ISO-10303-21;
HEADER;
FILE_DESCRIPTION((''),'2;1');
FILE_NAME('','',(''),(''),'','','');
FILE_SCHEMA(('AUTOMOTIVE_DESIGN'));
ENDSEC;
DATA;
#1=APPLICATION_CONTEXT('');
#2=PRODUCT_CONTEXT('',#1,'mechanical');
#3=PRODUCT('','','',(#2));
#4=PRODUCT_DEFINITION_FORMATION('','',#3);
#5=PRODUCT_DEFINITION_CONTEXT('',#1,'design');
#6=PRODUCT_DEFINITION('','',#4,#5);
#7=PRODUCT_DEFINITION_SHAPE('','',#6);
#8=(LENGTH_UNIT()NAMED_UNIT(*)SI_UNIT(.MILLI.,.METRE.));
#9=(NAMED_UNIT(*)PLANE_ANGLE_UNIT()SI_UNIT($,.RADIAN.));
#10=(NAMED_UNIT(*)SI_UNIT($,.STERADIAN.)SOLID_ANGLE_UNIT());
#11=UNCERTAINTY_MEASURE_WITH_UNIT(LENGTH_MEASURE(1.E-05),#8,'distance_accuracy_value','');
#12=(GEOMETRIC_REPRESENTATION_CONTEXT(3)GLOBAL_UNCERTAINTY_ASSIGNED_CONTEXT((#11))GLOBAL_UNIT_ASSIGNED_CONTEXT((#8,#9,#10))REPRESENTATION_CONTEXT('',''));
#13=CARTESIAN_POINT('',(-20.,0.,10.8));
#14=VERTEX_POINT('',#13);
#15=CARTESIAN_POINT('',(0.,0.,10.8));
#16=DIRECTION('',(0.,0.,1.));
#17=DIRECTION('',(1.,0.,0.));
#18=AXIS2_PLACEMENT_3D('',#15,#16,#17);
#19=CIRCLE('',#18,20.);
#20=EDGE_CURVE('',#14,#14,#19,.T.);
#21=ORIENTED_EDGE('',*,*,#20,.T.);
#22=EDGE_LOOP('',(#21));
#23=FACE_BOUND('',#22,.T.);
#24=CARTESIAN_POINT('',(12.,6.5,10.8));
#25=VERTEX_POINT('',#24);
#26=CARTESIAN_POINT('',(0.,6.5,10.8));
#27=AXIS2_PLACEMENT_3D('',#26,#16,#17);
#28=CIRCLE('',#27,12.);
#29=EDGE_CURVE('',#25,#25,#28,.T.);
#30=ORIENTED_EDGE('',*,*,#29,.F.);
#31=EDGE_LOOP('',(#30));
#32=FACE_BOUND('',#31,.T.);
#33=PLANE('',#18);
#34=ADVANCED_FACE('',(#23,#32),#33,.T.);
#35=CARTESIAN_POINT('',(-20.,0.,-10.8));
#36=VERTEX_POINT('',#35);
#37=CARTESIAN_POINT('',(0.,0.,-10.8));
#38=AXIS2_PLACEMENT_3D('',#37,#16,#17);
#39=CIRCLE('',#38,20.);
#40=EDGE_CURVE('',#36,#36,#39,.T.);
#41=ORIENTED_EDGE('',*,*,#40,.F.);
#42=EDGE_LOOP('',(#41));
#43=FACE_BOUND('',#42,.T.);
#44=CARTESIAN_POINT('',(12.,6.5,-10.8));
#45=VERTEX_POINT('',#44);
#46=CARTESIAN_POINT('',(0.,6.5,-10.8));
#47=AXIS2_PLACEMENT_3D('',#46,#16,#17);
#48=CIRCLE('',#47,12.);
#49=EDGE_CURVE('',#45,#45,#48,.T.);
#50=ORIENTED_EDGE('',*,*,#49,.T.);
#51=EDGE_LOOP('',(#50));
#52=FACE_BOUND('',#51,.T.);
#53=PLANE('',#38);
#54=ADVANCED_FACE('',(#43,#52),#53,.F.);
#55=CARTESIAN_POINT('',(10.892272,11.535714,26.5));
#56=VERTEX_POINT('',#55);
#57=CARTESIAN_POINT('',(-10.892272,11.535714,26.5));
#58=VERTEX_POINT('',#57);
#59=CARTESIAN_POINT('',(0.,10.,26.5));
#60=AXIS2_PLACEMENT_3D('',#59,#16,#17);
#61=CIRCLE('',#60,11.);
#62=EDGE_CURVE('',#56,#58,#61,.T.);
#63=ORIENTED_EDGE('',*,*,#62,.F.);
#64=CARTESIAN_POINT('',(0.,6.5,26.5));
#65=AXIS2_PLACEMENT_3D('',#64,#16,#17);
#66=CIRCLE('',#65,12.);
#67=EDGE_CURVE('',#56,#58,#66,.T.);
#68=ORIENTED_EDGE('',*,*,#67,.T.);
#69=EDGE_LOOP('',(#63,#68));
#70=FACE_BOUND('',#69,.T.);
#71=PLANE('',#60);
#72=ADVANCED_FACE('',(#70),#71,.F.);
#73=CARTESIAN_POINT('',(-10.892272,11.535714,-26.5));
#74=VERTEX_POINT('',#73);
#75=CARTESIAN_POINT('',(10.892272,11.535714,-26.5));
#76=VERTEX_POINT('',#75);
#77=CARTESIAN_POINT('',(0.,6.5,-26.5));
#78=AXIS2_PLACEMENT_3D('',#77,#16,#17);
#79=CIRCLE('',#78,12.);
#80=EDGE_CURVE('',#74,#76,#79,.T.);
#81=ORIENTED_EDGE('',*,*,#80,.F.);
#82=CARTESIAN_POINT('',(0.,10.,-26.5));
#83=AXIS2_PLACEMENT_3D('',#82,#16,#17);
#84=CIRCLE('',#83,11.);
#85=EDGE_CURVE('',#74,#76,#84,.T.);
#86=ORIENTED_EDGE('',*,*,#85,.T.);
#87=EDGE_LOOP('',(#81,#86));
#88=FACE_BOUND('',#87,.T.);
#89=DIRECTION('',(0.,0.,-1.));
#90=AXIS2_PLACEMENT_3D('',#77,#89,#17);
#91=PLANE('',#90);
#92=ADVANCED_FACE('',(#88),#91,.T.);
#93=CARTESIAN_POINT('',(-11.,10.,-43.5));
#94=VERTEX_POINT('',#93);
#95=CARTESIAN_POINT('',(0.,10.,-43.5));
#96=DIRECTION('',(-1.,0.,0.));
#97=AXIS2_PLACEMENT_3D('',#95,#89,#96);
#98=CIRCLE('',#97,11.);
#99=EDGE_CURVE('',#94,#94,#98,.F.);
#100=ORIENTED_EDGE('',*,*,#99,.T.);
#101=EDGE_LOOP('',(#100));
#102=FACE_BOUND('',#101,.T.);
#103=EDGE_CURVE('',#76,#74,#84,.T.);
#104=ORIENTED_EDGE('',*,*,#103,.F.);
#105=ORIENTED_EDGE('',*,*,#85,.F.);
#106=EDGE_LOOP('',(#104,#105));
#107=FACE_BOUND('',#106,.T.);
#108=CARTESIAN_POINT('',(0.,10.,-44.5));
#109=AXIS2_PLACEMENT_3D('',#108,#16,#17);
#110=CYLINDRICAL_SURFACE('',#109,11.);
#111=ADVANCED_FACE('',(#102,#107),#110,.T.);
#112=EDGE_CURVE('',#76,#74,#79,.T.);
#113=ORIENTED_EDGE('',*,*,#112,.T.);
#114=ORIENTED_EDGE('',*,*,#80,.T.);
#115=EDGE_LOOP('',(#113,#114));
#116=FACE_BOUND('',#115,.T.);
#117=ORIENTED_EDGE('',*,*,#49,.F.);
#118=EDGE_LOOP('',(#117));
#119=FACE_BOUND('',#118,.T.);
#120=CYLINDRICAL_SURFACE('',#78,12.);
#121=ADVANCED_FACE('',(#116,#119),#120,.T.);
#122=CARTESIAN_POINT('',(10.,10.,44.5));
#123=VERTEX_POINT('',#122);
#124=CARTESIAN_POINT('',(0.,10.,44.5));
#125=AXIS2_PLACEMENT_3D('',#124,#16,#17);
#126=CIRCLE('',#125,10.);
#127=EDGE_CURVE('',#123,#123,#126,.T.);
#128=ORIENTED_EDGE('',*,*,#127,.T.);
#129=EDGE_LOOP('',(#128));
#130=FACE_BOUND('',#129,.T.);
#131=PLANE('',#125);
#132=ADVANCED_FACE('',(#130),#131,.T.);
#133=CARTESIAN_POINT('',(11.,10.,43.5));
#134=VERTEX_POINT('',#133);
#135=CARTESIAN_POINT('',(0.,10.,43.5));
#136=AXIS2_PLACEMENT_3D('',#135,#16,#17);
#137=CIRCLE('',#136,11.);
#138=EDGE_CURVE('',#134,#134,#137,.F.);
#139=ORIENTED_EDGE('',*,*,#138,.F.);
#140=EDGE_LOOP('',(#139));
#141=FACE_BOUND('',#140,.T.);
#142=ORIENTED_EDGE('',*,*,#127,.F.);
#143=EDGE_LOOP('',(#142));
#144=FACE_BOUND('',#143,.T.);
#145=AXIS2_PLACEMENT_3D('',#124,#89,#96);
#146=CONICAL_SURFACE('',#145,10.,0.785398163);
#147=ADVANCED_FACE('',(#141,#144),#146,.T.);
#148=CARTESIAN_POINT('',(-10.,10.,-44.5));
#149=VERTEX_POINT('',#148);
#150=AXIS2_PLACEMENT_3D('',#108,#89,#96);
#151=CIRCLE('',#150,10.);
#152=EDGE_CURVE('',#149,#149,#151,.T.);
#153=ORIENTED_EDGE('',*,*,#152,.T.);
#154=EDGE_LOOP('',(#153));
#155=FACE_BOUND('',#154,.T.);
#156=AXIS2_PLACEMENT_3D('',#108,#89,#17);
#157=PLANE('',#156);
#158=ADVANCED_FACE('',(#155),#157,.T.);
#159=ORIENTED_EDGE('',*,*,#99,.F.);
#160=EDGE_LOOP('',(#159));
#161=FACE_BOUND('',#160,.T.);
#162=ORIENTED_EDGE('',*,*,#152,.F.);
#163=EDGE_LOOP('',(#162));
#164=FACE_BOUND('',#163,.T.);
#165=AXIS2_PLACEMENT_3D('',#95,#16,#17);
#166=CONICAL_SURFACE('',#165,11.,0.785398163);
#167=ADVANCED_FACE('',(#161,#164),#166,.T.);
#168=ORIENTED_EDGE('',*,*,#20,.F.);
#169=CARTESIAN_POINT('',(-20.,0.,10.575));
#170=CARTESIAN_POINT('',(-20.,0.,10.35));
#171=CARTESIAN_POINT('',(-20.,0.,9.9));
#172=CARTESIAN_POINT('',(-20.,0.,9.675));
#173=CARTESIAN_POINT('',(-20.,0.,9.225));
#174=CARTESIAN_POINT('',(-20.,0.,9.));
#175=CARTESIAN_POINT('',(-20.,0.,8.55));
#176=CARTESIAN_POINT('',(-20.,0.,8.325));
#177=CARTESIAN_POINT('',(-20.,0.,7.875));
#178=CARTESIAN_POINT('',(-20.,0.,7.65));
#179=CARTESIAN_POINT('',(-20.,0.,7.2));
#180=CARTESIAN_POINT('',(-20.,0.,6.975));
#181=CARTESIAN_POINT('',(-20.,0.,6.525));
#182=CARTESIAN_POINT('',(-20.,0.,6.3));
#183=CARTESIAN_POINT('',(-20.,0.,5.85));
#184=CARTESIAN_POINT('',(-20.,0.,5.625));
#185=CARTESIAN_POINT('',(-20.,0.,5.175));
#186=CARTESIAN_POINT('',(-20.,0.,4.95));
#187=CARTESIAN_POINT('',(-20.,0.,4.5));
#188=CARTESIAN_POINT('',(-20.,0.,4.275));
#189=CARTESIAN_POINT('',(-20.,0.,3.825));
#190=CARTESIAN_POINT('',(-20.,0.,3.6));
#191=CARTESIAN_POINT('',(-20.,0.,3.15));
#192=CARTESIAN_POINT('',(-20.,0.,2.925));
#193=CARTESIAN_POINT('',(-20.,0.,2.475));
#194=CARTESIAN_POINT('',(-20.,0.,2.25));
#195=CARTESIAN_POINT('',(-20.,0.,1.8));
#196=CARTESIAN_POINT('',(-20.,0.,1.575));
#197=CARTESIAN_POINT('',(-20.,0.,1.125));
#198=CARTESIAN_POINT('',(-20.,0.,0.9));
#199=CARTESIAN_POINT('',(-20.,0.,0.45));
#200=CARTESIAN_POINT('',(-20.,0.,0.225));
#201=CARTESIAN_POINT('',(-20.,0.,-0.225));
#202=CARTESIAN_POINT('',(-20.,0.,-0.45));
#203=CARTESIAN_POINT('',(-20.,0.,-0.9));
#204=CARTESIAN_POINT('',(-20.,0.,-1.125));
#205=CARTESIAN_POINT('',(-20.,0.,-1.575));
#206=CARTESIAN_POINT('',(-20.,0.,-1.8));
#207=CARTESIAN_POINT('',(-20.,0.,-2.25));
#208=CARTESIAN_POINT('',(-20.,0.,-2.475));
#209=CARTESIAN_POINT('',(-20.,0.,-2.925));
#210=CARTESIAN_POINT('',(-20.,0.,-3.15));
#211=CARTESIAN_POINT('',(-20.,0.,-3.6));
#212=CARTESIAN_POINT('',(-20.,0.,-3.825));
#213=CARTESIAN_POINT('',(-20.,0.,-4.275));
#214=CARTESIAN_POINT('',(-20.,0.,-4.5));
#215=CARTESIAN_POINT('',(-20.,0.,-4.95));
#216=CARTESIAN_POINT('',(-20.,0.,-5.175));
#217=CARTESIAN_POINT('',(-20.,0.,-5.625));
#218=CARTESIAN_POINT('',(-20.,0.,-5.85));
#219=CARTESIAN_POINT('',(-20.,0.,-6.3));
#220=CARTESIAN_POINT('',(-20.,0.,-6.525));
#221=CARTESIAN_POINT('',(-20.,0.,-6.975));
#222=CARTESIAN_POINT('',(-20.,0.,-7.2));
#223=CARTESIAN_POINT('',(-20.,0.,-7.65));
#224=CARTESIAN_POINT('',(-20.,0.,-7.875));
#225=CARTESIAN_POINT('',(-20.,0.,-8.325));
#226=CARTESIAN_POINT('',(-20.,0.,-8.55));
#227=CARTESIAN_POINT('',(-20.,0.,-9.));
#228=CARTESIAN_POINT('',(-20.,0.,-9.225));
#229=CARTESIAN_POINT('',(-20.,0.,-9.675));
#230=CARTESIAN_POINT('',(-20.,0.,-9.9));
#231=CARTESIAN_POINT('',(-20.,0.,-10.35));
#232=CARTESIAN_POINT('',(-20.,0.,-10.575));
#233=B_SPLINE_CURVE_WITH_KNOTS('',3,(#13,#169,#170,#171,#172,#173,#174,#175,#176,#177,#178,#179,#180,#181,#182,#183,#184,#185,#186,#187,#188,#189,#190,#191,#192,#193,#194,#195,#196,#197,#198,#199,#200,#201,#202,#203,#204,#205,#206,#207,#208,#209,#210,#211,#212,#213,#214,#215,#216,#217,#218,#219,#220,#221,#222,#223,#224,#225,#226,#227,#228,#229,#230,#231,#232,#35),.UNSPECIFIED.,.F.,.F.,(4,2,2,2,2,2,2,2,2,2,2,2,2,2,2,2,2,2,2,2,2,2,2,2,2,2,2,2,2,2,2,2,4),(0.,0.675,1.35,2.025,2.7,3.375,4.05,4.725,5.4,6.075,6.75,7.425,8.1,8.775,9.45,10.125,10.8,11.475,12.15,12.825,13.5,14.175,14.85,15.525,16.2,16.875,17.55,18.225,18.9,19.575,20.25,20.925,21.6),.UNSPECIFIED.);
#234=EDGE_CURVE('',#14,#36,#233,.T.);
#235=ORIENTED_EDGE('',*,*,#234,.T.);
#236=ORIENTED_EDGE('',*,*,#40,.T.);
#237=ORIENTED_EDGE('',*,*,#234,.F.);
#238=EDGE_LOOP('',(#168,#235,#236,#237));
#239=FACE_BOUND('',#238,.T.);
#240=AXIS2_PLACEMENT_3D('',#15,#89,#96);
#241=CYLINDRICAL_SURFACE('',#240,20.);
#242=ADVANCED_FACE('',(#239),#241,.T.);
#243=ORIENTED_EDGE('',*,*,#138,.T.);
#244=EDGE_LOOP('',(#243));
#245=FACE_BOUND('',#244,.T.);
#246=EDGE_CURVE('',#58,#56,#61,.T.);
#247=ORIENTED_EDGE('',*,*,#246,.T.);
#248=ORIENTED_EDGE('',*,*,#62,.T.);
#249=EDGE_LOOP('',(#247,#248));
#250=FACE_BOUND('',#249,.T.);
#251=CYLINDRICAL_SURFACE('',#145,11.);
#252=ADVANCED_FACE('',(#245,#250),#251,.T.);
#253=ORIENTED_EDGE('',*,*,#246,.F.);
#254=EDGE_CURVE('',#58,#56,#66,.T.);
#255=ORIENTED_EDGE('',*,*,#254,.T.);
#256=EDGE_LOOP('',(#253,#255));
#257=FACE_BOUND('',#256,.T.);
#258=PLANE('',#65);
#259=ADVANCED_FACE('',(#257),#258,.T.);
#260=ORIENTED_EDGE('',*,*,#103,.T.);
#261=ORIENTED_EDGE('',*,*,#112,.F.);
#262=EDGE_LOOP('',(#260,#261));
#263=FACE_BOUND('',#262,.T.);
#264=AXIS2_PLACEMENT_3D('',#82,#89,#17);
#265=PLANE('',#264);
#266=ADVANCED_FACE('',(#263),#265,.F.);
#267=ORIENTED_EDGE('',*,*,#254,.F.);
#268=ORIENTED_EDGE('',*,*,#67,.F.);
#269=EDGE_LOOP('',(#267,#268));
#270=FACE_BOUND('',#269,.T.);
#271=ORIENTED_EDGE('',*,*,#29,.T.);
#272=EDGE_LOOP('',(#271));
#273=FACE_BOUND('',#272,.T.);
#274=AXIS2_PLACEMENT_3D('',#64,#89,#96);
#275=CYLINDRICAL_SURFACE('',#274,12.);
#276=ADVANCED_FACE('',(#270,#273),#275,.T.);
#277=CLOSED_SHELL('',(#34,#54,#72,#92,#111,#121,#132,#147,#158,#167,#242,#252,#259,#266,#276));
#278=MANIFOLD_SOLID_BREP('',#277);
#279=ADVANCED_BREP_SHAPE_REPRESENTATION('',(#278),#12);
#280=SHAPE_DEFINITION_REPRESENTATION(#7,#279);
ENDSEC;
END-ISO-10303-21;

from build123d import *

# Parameters (mm, degrees)
ESQUISSE1_R                  = 20
EXTRUSION1_DEPTH             = 10.8
ESQUISSE2_R                  = 12
EXTRUSION2_DEPTH             = 15.7
ESQUISSE3_R                  = 11
EXTRUSION3_DEPTH             = 18
CHANFREIN1_SIZE              = 1
CHANFREIN1_OF_SYM_TRIE2_SIZE = 1


with BuildPart() as part:
    # Esquisse1 → Extrusion1 (new, symmetric)
    with BuildSketch(Plane.XY):
        with Locations(Location((0, 0, 0), (0, 0, 180))):
            Circle(ESQUISSE1_R)
    extrude(amount=EXTRUSION1_DEPTH, both=True)

    # Esquisse2 → Extrusion2 (add)
    with BuildSketch(Plane.XY.offset(10.8)):
        with Locations((0, 6.5)):
            Circle(ESQUISSE2_R)
    extrusion2 = extrude(amount=EXTRUSION2_DEPTH)

    # Esquisse3 → Extrusion3 (add)
    with BuildSketch(Plane.XY.offset(26.5)):
        with Locations(Location((0, 10, 0), (0, 0, 171.974698192))):
            Circle(ESQUISSE3_R)
    extrusion3 = extrude(amount=EXTRUSION3_DEPTH)

    # Chanfrein1
    chanfrein1_edges = [part.edges().sort_by_distance(p)[0] for p in [
        (10.892271647, 8.464285714, 44.5),
    ]]
    chamfer(chanfrein1_edges, length=CHANFREIN1_SIZE)

    # Symétrie2: Extrusion2, Extrusion3 across plane
    add(extrusion2.mirror(Plane.XY))
    add(extrusion3.mirror(Plane.XY))

    # Chanfrein1 of Symétrie2
    chanfrein1_of_sym_trie2_edges = [part.edges().sort_by_distance(p)[0] for p in [
        (10.892271647, 8.464285714, -44.5),
    ]]
    chamfer(chanfrein1_of_sym_trie2_edges, length=CHANFREIN1_OF_SYM_TRIE2_SIZE)


solid = part.part
